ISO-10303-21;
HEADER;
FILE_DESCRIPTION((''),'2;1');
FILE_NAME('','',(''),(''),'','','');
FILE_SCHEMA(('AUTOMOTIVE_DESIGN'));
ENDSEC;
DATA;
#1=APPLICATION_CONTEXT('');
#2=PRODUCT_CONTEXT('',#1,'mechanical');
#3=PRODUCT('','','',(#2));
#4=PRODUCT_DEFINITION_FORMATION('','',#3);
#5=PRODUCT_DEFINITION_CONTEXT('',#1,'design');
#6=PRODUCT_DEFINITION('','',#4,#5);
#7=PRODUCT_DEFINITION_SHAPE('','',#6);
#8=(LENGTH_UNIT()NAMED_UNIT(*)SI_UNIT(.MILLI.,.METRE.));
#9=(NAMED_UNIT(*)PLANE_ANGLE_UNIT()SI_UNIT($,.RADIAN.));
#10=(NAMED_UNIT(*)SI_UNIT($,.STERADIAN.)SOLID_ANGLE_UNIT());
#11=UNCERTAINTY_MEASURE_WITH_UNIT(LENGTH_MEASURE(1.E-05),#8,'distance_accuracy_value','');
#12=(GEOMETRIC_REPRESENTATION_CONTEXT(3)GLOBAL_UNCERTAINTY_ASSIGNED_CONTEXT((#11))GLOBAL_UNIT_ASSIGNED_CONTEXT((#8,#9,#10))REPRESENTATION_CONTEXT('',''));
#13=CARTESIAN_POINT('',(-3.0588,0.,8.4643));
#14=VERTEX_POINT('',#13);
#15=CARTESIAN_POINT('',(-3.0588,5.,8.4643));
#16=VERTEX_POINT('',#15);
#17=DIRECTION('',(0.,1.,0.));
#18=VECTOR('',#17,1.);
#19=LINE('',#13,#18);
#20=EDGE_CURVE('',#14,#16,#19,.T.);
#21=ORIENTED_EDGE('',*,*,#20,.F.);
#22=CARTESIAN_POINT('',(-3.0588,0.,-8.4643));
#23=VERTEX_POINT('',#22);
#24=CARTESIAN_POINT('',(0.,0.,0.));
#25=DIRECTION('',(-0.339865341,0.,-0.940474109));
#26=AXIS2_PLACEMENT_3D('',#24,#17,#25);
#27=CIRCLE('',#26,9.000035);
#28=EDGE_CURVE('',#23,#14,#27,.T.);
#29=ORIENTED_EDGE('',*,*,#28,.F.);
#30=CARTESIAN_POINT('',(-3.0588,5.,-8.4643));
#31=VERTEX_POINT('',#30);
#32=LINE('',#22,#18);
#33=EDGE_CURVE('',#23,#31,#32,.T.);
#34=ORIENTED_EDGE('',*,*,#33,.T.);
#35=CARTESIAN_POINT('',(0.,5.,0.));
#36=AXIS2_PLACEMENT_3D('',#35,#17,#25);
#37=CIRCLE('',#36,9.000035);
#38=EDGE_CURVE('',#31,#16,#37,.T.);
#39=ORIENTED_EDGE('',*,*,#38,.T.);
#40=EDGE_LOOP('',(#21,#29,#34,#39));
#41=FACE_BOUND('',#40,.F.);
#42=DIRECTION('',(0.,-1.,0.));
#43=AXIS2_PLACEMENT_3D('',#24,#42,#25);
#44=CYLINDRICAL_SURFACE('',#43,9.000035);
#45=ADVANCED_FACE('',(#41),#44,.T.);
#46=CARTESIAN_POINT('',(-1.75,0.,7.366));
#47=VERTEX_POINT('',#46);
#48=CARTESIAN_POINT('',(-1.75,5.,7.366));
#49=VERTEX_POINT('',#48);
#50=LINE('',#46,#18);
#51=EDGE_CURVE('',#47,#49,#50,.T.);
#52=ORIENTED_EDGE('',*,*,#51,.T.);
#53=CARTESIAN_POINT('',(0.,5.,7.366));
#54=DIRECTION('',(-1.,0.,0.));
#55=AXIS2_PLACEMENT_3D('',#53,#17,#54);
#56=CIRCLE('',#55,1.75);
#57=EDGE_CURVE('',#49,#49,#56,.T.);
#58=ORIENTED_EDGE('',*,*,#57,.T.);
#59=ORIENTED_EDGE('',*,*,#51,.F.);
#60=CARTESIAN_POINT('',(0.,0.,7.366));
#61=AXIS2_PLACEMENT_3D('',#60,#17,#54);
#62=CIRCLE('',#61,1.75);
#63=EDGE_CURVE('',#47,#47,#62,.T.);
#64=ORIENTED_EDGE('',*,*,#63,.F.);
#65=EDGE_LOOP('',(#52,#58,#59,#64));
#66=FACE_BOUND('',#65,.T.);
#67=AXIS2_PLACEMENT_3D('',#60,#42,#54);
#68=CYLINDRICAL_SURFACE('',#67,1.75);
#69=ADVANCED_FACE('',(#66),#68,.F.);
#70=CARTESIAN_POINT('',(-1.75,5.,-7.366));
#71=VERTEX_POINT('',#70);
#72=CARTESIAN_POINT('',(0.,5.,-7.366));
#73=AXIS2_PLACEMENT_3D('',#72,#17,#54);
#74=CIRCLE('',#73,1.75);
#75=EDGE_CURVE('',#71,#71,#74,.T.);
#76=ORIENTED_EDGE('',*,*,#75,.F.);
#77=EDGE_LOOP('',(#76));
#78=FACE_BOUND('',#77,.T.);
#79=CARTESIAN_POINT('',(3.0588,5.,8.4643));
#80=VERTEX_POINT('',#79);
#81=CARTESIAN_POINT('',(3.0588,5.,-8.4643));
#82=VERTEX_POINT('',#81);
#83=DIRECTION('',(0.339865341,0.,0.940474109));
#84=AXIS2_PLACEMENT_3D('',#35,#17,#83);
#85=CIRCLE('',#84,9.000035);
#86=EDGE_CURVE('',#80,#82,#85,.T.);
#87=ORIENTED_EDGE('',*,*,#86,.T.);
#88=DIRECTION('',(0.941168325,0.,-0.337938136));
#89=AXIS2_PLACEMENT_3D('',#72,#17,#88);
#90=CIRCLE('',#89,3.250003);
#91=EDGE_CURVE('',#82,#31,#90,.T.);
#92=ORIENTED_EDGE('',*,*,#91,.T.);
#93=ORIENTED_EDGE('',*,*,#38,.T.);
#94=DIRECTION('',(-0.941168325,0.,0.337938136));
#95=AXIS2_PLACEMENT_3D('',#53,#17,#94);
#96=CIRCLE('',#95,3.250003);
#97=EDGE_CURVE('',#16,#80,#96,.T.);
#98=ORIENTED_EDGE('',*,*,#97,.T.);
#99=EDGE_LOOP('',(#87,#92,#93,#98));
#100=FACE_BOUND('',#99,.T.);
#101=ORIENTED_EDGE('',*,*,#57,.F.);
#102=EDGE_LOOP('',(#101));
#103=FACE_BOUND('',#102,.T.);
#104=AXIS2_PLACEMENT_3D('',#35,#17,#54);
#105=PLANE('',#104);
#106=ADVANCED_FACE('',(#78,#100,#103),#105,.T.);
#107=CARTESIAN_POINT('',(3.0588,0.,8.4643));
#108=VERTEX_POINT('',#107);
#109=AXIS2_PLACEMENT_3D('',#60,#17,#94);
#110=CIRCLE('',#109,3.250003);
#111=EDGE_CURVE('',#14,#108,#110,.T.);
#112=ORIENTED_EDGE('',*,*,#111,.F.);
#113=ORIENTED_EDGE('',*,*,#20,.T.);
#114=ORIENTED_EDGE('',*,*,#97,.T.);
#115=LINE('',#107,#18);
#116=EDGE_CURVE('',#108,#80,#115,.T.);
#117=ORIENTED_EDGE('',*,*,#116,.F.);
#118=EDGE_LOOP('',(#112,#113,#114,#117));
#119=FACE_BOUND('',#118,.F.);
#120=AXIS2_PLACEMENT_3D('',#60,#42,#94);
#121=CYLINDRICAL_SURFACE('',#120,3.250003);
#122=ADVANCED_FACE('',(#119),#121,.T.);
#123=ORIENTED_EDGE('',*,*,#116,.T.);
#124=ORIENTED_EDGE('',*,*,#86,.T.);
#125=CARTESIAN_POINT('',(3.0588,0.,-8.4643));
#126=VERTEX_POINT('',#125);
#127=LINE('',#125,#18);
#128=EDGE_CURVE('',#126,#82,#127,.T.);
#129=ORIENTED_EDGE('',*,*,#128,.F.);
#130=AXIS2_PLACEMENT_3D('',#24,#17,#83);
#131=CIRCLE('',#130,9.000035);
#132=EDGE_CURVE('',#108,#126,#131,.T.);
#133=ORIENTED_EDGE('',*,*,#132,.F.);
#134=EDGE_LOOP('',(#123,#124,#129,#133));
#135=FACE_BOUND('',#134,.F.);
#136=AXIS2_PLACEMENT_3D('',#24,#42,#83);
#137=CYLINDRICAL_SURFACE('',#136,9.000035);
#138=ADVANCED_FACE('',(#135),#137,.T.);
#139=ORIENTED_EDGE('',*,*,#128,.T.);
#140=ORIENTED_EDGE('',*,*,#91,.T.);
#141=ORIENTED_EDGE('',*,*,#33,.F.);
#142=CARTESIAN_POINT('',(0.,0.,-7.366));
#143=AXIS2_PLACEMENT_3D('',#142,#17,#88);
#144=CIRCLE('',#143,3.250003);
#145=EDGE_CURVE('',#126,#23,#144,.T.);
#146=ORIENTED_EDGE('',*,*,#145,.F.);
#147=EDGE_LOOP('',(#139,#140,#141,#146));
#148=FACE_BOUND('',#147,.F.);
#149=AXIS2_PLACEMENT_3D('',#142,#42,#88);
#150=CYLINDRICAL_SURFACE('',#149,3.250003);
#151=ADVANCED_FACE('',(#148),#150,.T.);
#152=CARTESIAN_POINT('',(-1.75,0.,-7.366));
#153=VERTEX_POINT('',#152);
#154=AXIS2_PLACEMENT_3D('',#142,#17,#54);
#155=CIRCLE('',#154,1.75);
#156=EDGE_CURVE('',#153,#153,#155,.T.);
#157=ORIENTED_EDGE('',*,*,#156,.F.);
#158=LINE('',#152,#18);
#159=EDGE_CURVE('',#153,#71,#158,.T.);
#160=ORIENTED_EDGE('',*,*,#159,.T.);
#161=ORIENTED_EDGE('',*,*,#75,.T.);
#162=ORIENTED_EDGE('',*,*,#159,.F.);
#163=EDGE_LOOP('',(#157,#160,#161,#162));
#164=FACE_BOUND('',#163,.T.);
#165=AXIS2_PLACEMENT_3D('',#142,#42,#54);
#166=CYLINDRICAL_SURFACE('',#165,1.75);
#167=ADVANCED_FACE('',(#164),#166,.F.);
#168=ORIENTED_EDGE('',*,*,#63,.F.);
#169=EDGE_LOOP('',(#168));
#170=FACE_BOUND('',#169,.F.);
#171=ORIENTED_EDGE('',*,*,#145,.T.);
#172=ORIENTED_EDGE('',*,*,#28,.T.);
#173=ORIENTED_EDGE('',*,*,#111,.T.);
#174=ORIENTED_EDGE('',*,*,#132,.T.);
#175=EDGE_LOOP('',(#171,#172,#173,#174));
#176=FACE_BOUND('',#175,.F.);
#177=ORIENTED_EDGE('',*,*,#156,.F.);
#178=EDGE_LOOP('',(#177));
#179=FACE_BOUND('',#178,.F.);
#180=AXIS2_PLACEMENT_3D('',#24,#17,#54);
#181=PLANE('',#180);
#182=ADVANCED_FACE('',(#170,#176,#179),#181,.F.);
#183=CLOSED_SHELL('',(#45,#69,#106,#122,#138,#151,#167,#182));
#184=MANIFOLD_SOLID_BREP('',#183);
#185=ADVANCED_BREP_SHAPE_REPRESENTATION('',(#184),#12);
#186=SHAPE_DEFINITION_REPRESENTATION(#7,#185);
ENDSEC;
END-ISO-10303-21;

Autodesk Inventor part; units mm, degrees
ref_plane "YZ Plane" through (0, 0, 0) normal (1, 0, 0) x (0, 1, 0)
ref_plane "XZ Plane" through (0, 0, 0) normal (0, 1, 0) x (-1, 0, 0)
ref_plane "XY Plane" through (0, 0, 0) normal (0, 0, 1) x (1, 0, 0)
sketch "Sketch1" plane through (0, 0, 0) normal (0, 1, 0) x (-1, 0, 0)
  circle A0 centre (0, 7.366) radius 1.75
  circle A1 centre (0, -7.366) radius 1.75
  arc A2 (3.0588, -8.4643) -> (3.0588, 8.4643) centre (0, 0) ccw
  arc A3 (-3.0588, 8.4643) -> (-3.0588, -8.4643) centre (0, 0) ccw
  arc A4 (3.0588, 8.4643) -> (-3.0588, 8.4643) centre (0, 7.366) ccw
  arc A5 (-3.0588, -8.4643) -> (3.0588, -8.4643) centre (0, -7.366) ccw
  point P0 (9, 0)
extrude "Extrusion1" add sketch "Sketch1" along normal blind 5
properties part number "Ball Caster Spacer"
